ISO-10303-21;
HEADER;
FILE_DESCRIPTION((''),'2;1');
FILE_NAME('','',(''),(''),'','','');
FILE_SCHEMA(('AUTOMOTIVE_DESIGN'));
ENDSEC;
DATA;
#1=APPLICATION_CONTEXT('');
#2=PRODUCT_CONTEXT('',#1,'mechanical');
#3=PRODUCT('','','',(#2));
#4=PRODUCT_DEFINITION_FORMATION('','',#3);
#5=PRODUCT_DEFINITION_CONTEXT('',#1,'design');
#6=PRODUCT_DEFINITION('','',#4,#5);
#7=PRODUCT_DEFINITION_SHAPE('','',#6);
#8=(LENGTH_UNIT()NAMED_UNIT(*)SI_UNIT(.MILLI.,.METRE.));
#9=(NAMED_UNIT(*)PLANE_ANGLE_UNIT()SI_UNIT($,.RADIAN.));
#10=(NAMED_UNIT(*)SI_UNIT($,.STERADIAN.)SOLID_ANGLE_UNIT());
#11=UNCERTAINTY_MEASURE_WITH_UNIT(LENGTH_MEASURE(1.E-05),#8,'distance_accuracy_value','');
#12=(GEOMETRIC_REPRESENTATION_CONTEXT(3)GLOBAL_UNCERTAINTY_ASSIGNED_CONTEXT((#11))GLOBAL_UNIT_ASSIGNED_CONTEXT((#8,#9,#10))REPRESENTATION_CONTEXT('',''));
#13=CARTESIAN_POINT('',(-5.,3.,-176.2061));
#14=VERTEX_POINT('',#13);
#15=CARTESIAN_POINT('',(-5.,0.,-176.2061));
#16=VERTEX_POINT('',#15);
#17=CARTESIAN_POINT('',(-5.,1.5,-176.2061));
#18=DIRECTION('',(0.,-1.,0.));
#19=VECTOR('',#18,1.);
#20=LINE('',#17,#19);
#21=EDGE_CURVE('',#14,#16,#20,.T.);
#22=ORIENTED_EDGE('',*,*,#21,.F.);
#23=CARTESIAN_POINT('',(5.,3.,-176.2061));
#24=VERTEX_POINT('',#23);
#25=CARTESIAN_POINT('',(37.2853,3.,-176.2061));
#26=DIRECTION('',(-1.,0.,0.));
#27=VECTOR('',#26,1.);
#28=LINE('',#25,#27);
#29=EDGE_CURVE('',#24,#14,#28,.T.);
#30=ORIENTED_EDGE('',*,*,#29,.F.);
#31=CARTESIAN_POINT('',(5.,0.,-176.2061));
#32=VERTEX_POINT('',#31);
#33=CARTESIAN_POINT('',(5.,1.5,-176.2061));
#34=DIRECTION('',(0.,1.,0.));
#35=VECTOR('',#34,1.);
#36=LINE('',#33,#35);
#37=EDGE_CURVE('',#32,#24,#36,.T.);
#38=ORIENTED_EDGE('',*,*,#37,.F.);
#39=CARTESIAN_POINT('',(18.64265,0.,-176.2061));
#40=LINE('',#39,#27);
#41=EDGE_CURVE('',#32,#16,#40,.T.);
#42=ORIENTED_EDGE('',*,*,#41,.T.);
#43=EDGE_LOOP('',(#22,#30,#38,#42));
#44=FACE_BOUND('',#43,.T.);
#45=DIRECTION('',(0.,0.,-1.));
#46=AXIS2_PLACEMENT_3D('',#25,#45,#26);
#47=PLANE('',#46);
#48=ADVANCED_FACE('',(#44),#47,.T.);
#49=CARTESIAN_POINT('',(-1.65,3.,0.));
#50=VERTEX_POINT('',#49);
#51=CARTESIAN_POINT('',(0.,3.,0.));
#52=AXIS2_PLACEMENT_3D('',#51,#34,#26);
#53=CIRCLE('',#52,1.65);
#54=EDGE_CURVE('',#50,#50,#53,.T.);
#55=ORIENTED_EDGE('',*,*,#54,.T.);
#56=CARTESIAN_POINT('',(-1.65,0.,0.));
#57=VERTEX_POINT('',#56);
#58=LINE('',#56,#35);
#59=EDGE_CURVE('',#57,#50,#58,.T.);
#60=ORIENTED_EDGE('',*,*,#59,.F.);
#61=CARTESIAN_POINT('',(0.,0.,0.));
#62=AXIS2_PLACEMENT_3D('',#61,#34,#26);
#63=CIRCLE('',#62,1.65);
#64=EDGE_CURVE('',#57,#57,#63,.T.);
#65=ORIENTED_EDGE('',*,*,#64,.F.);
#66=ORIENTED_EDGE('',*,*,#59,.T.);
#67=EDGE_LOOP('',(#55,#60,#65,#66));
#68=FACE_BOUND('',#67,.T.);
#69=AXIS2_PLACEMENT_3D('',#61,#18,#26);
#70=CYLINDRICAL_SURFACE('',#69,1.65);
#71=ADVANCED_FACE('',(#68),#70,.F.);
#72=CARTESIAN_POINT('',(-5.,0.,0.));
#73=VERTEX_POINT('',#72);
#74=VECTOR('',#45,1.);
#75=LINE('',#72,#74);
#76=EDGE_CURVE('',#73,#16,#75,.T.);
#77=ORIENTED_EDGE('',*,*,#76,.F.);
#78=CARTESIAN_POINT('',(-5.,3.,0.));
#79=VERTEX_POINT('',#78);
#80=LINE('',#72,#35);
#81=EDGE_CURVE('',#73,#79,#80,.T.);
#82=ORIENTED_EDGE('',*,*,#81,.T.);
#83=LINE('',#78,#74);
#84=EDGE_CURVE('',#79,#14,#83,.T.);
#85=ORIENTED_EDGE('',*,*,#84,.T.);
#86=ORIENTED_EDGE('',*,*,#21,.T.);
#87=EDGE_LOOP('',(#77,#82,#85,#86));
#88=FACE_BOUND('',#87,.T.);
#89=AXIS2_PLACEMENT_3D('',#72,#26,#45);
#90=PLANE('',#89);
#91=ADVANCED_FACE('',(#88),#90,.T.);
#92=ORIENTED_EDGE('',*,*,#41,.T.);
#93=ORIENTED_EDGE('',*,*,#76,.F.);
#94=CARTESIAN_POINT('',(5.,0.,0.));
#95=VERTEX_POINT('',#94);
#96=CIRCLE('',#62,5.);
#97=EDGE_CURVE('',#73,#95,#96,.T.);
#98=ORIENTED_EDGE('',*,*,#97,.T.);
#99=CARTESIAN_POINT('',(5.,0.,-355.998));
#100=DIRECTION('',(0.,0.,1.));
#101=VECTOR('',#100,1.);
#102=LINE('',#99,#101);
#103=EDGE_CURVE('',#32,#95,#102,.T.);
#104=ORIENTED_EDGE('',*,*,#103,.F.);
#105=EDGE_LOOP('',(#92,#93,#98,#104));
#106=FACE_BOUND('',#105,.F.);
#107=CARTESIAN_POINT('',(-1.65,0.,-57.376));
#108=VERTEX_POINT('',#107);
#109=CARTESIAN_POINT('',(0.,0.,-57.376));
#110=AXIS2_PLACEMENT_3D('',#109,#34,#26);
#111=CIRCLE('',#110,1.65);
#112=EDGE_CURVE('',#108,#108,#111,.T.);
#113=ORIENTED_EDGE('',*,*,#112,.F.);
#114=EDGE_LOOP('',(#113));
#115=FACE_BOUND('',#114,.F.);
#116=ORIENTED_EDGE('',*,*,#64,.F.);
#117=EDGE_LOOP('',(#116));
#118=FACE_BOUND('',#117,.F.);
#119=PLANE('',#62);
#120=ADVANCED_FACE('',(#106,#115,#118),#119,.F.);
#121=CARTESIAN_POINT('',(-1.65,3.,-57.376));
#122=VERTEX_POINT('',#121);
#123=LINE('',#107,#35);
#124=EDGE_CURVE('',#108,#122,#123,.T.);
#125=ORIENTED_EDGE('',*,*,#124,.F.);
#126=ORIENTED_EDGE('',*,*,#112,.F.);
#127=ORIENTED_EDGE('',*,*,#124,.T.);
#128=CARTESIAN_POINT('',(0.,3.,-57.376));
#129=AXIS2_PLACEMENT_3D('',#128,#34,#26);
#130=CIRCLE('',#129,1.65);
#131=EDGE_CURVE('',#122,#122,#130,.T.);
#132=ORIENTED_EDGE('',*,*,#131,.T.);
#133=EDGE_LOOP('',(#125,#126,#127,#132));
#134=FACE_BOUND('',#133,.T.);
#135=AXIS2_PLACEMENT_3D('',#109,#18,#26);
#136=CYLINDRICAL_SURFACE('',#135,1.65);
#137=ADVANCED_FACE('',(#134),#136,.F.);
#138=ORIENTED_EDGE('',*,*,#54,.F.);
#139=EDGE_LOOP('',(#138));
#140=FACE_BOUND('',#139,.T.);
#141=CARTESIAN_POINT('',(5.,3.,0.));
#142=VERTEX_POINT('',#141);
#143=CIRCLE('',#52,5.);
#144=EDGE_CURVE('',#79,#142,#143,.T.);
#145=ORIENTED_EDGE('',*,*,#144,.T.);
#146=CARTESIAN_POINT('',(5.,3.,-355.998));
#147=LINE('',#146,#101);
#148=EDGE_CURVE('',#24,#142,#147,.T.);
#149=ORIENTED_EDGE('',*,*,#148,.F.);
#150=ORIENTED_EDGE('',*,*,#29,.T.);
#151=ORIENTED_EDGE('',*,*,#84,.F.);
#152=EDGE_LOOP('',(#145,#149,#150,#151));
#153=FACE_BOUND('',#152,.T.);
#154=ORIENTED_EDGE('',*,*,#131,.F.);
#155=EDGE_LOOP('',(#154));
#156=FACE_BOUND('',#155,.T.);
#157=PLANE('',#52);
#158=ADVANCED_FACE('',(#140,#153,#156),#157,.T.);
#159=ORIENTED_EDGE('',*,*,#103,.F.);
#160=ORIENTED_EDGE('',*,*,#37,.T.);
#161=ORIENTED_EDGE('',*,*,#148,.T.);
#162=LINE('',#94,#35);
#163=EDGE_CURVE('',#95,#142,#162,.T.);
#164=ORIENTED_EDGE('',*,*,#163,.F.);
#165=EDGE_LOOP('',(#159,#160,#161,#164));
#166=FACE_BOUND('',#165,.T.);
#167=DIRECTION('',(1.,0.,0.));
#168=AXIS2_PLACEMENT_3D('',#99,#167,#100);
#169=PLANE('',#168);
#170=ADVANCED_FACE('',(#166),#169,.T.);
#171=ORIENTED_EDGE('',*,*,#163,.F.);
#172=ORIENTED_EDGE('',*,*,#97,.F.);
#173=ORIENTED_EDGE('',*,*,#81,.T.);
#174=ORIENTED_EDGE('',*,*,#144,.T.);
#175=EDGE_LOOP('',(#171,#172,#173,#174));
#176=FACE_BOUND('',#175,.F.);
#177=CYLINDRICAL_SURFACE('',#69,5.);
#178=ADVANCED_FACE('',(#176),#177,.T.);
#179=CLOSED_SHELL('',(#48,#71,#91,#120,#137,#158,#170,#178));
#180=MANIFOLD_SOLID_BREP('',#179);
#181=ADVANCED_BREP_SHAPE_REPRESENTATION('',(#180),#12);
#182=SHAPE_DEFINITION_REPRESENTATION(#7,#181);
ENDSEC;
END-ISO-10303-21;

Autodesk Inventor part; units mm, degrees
ref_plane "YZ Plane" through (0, 0, 0) normal (1, 0, 0) x (0, 1, 0)
ref_plane "XZ Plane" through (0, 0, 0) normal (0, 1, 0) x (-1, 0, 0)
ref_plane "XY Plane" through (0, 0, 0) normal (0, 0, 1) x (1, 0, 0)
sketch "Sketch1" plane through (0, 0, 0) normal (0, 1, 0) x (-1, 0, 0)
  line L0 (0, 0) -> (0, -355.998) construction
  line L1 (5, 0) -> (5, -355.998)
  line L2 (-5, -355.998) -> (-5, 0)
  arc A0 (5, 0) -> (-5, 0) centre (0, 0) ccw
  arc A1 (-5, -355.998) -> (5, -355.998) centre (0, -355.998) ccw
  circle A2 centre (0, 0) radius 1.65
  circle A3 centre (0, -355.998) radius 1.65
  circle A4 centre (0, -57.376) radius 1.65
  point P0 (0, -177.999)
  dimension "d0" = 3.3
  dimension "d1" = 3.3
  dimension "d2" = 10
  dimension "d3" = 355.998
  dimension "d14" = 3.3
  dimension "d15" = 57.376
extrude "Extrusion1" add sketch "Sketch1" along normal blind 3
sketch "Sketch2" plane through (0, 3, 0) normal (0, 1, 0) x (1, 0, 0)
  line L0 (-26.2185, 378.6248) -> (37.2853, 378.6248)
  line L1 (37.2853, 378.6248) -> (37.2853, 176.2061)
  line L2 (37.2853, 176.2061) -> (-26.2185, 176.2061)
  line L3 (-26.2185, 176.2061) -> (-26.2185, 378.6248)
  line L4 (-95.1798, 405.4155) -> (74.9908, 405.4155)
  line L5 (74.9908, 405.4155) -> (74.9908, -44.073)
  line L6 (74.9908, -44.073) -> (-95.1798, -44.073)
  line L7 (-95.1798, -44.073) -> (-95.1798, 405.4155)
  point P0 (0, 0)
extrude "Extrusion2" cut sketch "Sketch2" against normal blind 10 contours L0 L1 L2 L3
properties part number "Part_10_p1"
